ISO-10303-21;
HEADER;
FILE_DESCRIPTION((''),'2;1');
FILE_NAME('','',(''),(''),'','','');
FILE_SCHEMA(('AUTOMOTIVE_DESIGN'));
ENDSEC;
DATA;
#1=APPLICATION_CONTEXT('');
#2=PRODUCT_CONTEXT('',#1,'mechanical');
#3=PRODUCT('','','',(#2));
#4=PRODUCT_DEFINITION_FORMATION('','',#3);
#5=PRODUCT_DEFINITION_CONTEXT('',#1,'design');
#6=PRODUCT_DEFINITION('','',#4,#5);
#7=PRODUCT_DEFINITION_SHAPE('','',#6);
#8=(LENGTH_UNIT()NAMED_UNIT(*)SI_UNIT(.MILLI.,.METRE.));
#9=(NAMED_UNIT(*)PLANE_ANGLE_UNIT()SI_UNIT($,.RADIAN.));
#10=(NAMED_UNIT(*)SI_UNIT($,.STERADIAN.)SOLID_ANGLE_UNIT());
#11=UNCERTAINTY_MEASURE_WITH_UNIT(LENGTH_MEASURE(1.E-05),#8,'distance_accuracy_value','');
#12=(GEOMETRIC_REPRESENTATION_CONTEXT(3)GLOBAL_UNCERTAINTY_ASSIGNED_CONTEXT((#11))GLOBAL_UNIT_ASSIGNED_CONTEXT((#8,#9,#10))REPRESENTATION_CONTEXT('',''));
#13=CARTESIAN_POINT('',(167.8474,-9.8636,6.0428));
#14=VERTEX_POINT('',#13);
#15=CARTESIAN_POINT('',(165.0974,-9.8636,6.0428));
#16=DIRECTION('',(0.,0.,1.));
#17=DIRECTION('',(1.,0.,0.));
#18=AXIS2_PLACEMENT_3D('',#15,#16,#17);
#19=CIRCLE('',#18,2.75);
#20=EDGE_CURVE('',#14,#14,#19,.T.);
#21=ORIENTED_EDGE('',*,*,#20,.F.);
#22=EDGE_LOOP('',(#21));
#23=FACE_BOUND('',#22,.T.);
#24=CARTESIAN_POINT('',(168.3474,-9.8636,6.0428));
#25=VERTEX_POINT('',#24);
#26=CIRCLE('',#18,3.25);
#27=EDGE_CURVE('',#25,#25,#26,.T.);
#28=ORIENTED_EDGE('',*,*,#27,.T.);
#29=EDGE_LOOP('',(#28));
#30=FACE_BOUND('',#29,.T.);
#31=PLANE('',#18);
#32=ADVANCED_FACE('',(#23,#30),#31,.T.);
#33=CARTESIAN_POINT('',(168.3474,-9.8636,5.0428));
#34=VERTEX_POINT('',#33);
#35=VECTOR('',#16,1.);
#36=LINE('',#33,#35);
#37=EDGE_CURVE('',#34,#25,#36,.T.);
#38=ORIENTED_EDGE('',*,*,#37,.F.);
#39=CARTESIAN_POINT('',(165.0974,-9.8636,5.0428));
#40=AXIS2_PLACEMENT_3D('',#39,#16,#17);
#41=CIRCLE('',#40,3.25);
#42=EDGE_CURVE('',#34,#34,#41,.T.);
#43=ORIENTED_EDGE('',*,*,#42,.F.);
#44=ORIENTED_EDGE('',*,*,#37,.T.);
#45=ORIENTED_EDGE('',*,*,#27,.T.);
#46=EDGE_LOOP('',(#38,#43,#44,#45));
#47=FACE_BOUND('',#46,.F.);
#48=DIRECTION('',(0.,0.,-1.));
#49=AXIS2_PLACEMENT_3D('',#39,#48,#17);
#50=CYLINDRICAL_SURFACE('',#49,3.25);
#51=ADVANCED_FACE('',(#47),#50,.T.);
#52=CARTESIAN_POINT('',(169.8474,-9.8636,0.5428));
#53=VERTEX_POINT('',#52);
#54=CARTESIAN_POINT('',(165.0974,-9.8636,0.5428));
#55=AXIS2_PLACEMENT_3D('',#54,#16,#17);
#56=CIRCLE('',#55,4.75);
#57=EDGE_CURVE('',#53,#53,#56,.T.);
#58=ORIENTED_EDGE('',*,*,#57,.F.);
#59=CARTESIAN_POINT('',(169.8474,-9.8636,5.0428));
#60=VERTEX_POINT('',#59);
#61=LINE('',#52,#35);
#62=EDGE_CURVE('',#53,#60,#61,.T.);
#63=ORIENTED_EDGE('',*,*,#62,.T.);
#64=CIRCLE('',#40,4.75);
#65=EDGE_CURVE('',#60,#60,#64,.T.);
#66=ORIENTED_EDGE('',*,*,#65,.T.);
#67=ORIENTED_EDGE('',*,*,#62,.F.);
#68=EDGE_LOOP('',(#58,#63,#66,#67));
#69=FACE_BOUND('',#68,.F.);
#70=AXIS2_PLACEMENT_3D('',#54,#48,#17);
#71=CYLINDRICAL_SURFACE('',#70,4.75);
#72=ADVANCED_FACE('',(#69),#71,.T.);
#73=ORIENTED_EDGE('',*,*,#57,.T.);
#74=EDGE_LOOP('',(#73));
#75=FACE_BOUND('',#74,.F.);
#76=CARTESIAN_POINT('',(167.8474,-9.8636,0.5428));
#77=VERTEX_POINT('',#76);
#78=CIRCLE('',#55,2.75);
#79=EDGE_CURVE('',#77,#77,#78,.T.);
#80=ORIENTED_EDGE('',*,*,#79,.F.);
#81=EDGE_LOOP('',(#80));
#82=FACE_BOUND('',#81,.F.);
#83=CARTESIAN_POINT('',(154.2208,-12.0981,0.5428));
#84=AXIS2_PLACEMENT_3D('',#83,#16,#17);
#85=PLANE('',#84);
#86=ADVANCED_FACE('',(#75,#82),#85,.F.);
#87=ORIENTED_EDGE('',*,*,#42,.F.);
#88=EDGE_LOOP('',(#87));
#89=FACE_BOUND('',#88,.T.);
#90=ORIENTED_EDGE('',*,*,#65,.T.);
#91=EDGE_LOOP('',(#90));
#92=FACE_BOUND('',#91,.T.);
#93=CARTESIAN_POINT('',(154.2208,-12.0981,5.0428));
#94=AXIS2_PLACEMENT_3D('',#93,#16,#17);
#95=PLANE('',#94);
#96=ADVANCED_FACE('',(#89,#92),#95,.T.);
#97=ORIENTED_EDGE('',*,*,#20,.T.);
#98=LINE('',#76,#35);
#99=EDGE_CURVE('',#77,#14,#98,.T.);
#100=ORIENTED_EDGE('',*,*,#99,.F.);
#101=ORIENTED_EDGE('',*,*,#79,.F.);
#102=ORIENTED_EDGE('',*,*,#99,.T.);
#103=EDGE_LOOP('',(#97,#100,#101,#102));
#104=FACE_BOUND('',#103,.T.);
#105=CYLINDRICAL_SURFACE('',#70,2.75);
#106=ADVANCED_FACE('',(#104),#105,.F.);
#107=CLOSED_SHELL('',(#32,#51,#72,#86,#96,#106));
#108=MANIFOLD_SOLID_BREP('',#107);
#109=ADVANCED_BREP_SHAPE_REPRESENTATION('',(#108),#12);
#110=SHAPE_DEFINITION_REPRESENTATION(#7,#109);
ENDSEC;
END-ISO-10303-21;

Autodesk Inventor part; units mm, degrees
ref_plane "Work Plane1" through (154.2208, -12.0981, 0.5428) normal (0, 0, 1) x (1, 0, 0)
sketch "Sketch1" plane through (154.2208, -12.0981, 0.5428) normal (0, 0, 1) x (1, 0, 0)
  circle A0 centre (10.8766, 2.2345) radius 2.75 projected
  circle A1 centre (10.8766, 2.2345) radius 4.75
  point P0 (-154.2208, 12.0981)
  dimension "d0" = 2
ref_plane "Work Plane2" through (156.0974, -18.8636, -1.7364) normal (0, 0, -1) x (0, 1, 0)
ref_plane "Work Plane3" through (156.0974, -18.8636, 6.0428) normal (0, 0, -1) x (0, 1, 0)
extrude "Extrusion1" add sketch "Sketch1" along normal blind 4.5
sketch "Sketch2" plane through (165.0974, -9.8636, 5.0428) normal (0, 0, 1) x (1, 0, 0)
  circle A0 centre (0, 0) radius 2.75 projected
  circle A1 centre (0, 0) radius 3.25
  point P0 (-165.0974, 9.8636)
  dimension "d3" = 0.5
ref_plane "Work Plane4" through (156.0974, -18.8636, 6.0428) normal (0, 0, -1) x (0, 1, 0)
extrude "Extrusion2" add sketch "Sketch2" along normal up to surface (1 mm away)
properties part number "belt_tentioner_washer"
